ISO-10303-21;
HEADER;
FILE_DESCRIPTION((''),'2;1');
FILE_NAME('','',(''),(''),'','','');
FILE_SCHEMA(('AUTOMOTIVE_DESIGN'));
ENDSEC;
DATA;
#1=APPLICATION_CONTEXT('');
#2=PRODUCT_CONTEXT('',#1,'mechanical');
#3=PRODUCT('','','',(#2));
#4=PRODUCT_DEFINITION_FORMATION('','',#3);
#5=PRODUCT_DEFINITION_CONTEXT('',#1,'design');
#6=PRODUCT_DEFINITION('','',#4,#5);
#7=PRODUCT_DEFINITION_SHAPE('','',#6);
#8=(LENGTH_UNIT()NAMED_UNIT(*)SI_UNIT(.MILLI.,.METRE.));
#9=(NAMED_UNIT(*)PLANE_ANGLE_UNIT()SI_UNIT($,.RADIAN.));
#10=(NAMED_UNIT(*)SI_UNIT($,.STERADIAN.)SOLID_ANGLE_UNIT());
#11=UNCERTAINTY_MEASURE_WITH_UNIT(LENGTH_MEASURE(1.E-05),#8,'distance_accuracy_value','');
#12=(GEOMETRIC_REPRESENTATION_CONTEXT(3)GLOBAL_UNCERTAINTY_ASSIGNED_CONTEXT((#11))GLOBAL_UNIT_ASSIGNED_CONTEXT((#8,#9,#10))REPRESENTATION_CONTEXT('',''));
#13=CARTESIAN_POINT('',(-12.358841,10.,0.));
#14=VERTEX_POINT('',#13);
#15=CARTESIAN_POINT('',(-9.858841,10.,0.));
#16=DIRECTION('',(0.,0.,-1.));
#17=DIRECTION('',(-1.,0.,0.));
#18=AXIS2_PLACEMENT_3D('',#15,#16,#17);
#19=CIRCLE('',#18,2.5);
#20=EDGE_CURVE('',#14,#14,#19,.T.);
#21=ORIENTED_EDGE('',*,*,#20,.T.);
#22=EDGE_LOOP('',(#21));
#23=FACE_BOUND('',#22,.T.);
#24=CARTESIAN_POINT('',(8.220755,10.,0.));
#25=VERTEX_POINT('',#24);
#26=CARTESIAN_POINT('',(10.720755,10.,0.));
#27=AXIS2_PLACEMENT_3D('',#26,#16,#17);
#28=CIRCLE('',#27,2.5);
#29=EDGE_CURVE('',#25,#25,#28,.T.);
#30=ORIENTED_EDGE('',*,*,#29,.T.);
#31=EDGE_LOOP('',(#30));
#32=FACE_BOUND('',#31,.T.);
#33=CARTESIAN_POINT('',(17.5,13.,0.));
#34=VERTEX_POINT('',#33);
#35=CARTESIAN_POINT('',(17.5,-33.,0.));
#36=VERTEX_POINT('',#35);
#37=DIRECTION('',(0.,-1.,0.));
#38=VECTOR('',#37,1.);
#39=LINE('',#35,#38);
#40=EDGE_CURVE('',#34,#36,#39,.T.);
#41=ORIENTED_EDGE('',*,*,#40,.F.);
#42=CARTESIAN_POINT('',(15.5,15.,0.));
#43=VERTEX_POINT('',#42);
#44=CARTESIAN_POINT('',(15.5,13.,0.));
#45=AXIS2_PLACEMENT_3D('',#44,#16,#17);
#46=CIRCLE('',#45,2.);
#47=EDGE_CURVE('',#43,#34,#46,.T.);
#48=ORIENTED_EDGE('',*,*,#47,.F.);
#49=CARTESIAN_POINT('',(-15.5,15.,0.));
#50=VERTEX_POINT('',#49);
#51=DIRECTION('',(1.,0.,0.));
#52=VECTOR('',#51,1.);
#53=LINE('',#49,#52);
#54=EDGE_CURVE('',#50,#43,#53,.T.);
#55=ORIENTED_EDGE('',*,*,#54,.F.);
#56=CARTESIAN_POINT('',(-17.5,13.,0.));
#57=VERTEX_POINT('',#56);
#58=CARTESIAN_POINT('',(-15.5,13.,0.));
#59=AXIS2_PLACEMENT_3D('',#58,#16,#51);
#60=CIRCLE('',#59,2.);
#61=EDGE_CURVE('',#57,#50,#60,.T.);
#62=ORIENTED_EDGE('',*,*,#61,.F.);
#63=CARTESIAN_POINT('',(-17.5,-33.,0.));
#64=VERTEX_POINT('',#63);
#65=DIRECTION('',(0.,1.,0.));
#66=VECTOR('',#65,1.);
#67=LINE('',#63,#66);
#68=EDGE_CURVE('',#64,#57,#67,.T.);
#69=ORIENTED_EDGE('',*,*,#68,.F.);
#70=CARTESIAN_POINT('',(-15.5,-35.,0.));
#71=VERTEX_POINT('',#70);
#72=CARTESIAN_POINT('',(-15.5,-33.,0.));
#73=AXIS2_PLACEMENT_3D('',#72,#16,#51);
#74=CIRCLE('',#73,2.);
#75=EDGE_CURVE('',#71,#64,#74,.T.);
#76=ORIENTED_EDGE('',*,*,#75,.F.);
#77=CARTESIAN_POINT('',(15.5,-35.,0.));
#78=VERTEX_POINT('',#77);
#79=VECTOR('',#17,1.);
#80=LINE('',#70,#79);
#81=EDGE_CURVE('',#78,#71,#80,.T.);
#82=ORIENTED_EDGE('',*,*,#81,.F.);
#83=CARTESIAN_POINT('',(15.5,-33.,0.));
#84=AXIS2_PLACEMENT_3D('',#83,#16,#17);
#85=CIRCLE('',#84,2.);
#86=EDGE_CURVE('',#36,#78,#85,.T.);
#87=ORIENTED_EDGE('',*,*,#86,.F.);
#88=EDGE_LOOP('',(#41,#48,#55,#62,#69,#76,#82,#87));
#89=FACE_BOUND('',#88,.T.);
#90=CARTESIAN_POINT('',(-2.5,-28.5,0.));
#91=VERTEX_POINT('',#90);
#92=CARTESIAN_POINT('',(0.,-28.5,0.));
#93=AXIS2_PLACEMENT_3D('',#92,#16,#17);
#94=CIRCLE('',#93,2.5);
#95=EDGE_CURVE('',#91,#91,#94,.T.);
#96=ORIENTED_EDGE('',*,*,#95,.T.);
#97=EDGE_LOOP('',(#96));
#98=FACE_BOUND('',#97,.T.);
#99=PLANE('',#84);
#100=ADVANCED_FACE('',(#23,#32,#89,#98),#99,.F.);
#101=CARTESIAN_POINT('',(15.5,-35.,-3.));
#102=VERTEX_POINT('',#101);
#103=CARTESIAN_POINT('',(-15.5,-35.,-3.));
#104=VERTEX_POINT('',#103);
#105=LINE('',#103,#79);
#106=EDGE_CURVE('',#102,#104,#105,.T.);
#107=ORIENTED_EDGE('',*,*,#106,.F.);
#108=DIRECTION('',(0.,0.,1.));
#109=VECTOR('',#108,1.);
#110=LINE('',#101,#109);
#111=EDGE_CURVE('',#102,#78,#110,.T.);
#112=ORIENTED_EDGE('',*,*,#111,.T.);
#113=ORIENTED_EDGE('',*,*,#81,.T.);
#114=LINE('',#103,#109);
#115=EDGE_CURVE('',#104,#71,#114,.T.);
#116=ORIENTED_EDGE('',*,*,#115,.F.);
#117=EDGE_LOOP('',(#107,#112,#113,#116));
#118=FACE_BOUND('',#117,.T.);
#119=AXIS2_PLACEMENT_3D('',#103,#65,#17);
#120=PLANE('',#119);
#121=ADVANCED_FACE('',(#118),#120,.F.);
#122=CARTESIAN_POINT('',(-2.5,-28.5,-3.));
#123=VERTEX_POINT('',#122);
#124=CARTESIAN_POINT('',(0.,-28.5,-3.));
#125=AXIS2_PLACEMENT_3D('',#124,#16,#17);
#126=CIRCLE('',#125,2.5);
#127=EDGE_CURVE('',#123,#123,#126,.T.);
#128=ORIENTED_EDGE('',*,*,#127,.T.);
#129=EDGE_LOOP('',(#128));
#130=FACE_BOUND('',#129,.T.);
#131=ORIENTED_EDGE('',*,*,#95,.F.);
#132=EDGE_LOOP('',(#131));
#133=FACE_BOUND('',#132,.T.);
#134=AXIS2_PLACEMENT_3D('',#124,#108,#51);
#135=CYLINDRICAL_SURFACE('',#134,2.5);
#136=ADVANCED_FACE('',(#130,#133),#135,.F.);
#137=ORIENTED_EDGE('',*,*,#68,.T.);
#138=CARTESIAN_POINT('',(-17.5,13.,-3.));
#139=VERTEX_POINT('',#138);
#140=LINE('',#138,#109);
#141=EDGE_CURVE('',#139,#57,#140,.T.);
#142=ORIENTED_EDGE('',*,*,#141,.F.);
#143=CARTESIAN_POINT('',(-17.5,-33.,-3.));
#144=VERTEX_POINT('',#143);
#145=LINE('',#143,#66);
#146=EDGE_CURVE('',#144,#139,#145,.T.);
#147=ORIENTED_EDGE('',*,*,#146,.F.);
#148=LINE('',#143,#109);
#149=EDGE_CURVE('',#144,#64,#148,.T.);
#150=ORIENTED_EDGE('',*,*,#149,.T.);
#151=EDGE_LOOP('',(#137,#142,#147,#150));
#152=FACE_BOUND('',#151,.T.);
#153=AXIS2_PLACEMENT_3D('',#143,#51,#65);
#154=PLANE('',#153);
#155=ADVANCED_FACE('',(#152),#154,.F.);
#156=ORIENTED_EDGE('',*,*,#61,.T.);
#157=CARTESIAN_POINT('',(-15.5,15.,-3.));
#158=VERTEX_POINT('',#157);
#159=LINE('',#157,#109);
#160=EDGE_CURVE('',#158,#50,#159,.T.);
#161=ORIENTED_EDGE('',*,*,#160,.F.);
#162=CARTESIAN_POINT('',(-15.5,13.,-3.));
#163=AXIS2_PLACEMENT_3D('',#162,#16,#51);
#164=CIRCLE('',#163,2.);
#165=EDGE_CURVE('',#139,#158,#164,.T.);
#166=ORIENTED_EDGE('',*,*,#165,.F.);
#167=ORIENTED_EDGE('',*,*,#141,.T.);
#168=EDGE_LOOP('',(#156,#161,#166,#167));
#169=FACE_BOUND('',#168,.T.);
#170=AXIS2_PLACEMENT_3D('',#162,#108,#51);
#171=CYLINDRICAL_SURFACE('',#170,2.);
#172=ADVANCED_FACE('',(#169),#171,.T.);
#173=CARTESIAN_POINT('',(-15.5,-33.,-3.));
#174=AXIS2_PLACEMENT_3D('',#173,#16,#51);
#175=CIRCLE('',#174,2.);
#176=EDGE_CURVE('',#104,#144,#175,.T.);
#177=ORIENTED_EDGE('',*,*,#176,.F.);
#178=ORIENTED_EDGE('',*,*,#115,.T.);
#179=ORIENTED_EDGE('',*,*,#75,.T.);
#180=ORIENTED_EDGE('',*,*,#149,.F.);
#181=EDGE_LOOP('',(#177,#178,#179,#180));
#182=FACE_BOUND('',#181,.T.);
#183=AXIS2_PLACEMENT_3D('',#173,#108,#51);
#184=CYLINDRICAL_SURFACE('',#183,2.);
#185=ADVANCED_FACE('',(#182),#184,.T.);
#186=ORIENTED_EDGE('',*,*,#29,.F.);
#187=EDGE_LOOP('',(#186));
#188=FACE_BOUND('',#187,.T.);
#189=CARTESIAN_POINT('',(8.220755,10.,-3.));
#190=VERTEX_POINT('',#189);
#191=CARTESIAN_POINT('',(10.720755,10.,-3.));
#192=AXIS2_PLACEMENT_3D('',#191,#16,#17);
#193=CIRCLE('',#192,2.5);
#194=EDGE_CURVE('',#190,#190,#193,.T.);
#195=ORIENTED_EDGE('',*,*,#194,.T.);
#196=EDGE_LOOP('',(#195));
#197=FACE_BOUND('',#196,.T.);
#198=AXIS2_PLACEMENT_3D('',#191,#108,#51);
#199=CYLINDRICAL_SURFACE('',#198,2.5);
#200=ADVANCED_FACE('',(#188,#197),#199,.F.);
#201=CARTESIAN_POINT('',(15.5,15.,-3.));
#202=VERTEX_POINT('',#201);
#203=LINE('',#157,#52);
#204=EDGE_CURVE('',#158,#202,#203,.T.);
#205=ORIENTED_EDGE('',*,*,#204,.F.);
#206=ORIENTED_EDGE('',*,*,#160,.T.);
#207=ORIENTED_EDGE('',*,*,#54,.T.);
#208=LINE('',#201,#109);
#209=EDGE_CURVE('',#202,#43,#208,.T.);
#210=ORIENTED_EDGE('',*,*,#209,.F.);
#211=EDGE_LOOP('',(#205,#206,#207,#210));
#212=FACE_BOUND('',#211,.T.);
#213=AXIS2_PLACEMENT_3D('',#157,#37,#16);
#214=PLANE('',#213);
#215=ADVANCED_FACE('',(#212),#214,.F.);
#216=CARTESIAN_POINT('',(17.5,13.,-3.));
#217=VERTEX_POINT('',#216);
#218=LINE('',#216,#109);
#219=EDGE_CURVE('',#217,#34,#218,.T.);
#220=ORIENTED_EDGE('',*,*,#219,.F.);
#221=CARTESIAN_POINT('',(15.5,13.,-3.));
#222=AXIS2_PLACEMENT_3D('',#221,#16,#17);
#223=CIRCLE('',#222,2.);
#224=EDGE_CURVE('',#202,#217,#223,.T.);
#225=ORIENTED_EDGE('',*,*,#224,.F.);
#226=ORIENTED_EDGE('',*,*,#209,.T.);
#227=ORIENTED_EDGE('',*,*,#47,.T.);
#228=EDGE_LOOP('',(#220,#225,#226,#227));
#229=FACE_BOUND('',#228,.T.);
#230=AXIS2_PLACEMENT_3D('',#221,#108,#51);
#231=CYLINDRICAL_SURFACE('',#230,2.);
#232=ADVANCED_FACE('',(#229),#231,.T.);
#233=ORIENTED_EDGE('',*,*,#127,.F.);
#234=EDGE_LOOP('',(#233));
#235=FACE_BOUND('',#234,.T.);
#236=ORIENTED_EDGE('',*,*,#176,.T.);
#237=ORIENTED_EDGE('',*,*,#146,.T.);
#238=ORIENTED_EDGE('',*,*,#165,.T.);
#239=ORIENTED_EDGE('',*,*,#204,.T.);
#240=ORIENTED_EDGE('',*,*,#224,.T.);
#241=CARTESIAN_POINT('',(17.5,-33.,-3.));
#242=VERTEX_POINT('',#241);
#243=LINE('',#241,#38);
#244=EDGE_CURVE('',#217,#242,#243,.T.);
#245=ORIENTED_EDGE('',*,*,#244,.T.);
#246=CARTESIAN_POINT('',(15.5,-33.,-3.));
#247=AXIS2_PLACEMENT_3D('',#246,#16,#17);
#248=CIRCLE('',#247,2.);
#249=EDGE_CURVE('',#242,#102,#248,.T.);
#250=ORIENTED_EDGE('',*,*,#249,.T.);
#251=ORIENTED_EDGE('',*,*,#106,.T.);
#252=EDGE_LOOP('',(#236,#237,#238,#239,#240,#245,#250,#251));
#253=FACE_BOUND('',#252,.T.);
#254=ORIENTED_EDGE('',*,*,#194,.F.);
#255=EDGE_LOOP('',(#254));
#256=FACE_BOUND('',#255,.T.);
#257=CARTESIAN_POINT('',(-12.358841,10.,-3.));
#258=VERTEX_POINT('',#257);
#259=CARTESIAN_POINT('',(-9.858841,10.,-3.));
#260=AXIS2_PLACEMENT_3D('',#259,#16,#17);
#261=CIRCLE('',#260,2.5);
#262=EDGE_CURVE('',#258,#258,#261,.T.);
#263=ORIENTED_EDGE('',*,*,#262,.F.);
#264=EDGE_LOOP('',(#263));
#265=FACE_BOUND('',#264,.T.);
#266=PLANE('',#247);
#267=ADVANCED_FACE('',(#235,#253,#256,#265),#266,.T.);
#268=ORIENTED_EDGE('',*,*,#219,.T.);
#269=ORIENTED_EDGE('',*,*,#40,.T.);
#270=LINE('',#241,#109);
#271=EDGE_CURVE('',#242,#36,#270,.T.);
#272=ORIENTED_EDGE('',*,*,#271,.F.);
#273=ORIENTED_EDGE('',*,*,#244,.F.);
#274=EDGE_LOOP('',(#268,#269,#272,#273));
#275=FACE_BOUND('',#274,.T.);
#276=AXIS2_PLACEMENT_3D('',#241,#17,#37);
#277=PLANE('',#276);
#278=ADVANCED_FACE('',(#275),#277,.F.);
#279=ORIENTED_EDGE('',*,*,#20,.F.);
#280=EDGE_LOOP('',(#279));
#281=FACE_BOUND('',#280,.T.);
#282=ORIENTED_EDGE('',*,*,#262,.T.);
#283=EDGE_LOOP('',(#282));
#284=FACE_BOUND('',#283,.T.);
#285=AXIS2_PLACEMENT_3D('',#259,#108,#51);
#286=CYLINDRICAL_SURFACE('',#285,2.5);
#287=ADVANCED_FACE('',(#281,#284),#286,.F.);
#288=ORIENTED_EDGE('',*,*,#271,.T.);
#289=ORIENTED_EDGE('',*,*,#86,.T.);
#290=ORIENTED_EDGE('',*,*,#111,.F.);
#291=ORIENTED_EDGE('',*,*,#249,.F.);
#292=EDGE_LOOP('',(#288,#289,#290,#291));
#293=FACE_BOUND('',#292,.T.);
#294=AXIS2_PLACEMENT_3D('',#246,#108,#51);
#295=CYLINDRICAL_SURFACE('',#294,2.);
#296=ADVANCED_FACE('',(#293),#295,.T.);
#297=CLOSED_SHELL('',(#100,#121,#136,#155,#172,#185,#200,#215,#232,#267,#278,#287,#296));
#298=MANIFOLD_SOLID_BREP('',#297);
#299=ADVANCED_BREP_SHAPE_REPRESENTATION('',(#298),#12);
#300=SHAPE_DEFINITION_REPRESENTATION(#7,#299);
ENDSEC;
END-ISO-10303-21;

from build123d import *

# Parameters (mm, degrees)
SKETCH1_R           = 2.5
BOSS_EXTRUDE1_DEPTH = 3


with BuildPart() as part:
    # Sketch1 → Boss-Extrude1 (new body)
    with BuildSketch(Plane(origin=(0, 0, 0), x_dir=(1, 0, 0), z_dir=(0, 0, -1))):
        with BuildLine():
            Line((-15.5, 35), (15.5, 35))
            ThreePointArc((15.5, 35), (16.914213562, 34.414213562), (17.5, 33))
            Line((17.5, 33), (17.5, -13))
            ThreePointArc((17.5, -13), (16.914213562, -14.414213562), (15.5, -15))
            Line((15.5, -15), (-15.5, -15))
            ThreePointArc((-15.5, -15), (-16.914213562, -14.414213562), (-17.5, -13))
            Line((-17.5, -13), (-17.5, 33))
            ThreePointArc((-17.5, 33), (-16.914213562, 34.414213562), (-15.5, 35))
        make_face()
        with Locations(Location((0, 28.5, 0), (0, 0, 180))):
            Circle(SKETCH1_R, mode=Mode.SUBTRACT)
        with Locations(Location((-9.858841032, -10, 0), (0, 0, 180))):
            Circle(SKETCH1_R, mode=Mode.SUBTRACT)
        with Locations(Location((10.720755397, -10, 0), (0, 0, 180))):
            Circle(SKETCH1_R, mode=Mode.SUBTRACT)
    extrude(amount=BOSS_EXTRUDE1_DEPTH)


solid = part.part
